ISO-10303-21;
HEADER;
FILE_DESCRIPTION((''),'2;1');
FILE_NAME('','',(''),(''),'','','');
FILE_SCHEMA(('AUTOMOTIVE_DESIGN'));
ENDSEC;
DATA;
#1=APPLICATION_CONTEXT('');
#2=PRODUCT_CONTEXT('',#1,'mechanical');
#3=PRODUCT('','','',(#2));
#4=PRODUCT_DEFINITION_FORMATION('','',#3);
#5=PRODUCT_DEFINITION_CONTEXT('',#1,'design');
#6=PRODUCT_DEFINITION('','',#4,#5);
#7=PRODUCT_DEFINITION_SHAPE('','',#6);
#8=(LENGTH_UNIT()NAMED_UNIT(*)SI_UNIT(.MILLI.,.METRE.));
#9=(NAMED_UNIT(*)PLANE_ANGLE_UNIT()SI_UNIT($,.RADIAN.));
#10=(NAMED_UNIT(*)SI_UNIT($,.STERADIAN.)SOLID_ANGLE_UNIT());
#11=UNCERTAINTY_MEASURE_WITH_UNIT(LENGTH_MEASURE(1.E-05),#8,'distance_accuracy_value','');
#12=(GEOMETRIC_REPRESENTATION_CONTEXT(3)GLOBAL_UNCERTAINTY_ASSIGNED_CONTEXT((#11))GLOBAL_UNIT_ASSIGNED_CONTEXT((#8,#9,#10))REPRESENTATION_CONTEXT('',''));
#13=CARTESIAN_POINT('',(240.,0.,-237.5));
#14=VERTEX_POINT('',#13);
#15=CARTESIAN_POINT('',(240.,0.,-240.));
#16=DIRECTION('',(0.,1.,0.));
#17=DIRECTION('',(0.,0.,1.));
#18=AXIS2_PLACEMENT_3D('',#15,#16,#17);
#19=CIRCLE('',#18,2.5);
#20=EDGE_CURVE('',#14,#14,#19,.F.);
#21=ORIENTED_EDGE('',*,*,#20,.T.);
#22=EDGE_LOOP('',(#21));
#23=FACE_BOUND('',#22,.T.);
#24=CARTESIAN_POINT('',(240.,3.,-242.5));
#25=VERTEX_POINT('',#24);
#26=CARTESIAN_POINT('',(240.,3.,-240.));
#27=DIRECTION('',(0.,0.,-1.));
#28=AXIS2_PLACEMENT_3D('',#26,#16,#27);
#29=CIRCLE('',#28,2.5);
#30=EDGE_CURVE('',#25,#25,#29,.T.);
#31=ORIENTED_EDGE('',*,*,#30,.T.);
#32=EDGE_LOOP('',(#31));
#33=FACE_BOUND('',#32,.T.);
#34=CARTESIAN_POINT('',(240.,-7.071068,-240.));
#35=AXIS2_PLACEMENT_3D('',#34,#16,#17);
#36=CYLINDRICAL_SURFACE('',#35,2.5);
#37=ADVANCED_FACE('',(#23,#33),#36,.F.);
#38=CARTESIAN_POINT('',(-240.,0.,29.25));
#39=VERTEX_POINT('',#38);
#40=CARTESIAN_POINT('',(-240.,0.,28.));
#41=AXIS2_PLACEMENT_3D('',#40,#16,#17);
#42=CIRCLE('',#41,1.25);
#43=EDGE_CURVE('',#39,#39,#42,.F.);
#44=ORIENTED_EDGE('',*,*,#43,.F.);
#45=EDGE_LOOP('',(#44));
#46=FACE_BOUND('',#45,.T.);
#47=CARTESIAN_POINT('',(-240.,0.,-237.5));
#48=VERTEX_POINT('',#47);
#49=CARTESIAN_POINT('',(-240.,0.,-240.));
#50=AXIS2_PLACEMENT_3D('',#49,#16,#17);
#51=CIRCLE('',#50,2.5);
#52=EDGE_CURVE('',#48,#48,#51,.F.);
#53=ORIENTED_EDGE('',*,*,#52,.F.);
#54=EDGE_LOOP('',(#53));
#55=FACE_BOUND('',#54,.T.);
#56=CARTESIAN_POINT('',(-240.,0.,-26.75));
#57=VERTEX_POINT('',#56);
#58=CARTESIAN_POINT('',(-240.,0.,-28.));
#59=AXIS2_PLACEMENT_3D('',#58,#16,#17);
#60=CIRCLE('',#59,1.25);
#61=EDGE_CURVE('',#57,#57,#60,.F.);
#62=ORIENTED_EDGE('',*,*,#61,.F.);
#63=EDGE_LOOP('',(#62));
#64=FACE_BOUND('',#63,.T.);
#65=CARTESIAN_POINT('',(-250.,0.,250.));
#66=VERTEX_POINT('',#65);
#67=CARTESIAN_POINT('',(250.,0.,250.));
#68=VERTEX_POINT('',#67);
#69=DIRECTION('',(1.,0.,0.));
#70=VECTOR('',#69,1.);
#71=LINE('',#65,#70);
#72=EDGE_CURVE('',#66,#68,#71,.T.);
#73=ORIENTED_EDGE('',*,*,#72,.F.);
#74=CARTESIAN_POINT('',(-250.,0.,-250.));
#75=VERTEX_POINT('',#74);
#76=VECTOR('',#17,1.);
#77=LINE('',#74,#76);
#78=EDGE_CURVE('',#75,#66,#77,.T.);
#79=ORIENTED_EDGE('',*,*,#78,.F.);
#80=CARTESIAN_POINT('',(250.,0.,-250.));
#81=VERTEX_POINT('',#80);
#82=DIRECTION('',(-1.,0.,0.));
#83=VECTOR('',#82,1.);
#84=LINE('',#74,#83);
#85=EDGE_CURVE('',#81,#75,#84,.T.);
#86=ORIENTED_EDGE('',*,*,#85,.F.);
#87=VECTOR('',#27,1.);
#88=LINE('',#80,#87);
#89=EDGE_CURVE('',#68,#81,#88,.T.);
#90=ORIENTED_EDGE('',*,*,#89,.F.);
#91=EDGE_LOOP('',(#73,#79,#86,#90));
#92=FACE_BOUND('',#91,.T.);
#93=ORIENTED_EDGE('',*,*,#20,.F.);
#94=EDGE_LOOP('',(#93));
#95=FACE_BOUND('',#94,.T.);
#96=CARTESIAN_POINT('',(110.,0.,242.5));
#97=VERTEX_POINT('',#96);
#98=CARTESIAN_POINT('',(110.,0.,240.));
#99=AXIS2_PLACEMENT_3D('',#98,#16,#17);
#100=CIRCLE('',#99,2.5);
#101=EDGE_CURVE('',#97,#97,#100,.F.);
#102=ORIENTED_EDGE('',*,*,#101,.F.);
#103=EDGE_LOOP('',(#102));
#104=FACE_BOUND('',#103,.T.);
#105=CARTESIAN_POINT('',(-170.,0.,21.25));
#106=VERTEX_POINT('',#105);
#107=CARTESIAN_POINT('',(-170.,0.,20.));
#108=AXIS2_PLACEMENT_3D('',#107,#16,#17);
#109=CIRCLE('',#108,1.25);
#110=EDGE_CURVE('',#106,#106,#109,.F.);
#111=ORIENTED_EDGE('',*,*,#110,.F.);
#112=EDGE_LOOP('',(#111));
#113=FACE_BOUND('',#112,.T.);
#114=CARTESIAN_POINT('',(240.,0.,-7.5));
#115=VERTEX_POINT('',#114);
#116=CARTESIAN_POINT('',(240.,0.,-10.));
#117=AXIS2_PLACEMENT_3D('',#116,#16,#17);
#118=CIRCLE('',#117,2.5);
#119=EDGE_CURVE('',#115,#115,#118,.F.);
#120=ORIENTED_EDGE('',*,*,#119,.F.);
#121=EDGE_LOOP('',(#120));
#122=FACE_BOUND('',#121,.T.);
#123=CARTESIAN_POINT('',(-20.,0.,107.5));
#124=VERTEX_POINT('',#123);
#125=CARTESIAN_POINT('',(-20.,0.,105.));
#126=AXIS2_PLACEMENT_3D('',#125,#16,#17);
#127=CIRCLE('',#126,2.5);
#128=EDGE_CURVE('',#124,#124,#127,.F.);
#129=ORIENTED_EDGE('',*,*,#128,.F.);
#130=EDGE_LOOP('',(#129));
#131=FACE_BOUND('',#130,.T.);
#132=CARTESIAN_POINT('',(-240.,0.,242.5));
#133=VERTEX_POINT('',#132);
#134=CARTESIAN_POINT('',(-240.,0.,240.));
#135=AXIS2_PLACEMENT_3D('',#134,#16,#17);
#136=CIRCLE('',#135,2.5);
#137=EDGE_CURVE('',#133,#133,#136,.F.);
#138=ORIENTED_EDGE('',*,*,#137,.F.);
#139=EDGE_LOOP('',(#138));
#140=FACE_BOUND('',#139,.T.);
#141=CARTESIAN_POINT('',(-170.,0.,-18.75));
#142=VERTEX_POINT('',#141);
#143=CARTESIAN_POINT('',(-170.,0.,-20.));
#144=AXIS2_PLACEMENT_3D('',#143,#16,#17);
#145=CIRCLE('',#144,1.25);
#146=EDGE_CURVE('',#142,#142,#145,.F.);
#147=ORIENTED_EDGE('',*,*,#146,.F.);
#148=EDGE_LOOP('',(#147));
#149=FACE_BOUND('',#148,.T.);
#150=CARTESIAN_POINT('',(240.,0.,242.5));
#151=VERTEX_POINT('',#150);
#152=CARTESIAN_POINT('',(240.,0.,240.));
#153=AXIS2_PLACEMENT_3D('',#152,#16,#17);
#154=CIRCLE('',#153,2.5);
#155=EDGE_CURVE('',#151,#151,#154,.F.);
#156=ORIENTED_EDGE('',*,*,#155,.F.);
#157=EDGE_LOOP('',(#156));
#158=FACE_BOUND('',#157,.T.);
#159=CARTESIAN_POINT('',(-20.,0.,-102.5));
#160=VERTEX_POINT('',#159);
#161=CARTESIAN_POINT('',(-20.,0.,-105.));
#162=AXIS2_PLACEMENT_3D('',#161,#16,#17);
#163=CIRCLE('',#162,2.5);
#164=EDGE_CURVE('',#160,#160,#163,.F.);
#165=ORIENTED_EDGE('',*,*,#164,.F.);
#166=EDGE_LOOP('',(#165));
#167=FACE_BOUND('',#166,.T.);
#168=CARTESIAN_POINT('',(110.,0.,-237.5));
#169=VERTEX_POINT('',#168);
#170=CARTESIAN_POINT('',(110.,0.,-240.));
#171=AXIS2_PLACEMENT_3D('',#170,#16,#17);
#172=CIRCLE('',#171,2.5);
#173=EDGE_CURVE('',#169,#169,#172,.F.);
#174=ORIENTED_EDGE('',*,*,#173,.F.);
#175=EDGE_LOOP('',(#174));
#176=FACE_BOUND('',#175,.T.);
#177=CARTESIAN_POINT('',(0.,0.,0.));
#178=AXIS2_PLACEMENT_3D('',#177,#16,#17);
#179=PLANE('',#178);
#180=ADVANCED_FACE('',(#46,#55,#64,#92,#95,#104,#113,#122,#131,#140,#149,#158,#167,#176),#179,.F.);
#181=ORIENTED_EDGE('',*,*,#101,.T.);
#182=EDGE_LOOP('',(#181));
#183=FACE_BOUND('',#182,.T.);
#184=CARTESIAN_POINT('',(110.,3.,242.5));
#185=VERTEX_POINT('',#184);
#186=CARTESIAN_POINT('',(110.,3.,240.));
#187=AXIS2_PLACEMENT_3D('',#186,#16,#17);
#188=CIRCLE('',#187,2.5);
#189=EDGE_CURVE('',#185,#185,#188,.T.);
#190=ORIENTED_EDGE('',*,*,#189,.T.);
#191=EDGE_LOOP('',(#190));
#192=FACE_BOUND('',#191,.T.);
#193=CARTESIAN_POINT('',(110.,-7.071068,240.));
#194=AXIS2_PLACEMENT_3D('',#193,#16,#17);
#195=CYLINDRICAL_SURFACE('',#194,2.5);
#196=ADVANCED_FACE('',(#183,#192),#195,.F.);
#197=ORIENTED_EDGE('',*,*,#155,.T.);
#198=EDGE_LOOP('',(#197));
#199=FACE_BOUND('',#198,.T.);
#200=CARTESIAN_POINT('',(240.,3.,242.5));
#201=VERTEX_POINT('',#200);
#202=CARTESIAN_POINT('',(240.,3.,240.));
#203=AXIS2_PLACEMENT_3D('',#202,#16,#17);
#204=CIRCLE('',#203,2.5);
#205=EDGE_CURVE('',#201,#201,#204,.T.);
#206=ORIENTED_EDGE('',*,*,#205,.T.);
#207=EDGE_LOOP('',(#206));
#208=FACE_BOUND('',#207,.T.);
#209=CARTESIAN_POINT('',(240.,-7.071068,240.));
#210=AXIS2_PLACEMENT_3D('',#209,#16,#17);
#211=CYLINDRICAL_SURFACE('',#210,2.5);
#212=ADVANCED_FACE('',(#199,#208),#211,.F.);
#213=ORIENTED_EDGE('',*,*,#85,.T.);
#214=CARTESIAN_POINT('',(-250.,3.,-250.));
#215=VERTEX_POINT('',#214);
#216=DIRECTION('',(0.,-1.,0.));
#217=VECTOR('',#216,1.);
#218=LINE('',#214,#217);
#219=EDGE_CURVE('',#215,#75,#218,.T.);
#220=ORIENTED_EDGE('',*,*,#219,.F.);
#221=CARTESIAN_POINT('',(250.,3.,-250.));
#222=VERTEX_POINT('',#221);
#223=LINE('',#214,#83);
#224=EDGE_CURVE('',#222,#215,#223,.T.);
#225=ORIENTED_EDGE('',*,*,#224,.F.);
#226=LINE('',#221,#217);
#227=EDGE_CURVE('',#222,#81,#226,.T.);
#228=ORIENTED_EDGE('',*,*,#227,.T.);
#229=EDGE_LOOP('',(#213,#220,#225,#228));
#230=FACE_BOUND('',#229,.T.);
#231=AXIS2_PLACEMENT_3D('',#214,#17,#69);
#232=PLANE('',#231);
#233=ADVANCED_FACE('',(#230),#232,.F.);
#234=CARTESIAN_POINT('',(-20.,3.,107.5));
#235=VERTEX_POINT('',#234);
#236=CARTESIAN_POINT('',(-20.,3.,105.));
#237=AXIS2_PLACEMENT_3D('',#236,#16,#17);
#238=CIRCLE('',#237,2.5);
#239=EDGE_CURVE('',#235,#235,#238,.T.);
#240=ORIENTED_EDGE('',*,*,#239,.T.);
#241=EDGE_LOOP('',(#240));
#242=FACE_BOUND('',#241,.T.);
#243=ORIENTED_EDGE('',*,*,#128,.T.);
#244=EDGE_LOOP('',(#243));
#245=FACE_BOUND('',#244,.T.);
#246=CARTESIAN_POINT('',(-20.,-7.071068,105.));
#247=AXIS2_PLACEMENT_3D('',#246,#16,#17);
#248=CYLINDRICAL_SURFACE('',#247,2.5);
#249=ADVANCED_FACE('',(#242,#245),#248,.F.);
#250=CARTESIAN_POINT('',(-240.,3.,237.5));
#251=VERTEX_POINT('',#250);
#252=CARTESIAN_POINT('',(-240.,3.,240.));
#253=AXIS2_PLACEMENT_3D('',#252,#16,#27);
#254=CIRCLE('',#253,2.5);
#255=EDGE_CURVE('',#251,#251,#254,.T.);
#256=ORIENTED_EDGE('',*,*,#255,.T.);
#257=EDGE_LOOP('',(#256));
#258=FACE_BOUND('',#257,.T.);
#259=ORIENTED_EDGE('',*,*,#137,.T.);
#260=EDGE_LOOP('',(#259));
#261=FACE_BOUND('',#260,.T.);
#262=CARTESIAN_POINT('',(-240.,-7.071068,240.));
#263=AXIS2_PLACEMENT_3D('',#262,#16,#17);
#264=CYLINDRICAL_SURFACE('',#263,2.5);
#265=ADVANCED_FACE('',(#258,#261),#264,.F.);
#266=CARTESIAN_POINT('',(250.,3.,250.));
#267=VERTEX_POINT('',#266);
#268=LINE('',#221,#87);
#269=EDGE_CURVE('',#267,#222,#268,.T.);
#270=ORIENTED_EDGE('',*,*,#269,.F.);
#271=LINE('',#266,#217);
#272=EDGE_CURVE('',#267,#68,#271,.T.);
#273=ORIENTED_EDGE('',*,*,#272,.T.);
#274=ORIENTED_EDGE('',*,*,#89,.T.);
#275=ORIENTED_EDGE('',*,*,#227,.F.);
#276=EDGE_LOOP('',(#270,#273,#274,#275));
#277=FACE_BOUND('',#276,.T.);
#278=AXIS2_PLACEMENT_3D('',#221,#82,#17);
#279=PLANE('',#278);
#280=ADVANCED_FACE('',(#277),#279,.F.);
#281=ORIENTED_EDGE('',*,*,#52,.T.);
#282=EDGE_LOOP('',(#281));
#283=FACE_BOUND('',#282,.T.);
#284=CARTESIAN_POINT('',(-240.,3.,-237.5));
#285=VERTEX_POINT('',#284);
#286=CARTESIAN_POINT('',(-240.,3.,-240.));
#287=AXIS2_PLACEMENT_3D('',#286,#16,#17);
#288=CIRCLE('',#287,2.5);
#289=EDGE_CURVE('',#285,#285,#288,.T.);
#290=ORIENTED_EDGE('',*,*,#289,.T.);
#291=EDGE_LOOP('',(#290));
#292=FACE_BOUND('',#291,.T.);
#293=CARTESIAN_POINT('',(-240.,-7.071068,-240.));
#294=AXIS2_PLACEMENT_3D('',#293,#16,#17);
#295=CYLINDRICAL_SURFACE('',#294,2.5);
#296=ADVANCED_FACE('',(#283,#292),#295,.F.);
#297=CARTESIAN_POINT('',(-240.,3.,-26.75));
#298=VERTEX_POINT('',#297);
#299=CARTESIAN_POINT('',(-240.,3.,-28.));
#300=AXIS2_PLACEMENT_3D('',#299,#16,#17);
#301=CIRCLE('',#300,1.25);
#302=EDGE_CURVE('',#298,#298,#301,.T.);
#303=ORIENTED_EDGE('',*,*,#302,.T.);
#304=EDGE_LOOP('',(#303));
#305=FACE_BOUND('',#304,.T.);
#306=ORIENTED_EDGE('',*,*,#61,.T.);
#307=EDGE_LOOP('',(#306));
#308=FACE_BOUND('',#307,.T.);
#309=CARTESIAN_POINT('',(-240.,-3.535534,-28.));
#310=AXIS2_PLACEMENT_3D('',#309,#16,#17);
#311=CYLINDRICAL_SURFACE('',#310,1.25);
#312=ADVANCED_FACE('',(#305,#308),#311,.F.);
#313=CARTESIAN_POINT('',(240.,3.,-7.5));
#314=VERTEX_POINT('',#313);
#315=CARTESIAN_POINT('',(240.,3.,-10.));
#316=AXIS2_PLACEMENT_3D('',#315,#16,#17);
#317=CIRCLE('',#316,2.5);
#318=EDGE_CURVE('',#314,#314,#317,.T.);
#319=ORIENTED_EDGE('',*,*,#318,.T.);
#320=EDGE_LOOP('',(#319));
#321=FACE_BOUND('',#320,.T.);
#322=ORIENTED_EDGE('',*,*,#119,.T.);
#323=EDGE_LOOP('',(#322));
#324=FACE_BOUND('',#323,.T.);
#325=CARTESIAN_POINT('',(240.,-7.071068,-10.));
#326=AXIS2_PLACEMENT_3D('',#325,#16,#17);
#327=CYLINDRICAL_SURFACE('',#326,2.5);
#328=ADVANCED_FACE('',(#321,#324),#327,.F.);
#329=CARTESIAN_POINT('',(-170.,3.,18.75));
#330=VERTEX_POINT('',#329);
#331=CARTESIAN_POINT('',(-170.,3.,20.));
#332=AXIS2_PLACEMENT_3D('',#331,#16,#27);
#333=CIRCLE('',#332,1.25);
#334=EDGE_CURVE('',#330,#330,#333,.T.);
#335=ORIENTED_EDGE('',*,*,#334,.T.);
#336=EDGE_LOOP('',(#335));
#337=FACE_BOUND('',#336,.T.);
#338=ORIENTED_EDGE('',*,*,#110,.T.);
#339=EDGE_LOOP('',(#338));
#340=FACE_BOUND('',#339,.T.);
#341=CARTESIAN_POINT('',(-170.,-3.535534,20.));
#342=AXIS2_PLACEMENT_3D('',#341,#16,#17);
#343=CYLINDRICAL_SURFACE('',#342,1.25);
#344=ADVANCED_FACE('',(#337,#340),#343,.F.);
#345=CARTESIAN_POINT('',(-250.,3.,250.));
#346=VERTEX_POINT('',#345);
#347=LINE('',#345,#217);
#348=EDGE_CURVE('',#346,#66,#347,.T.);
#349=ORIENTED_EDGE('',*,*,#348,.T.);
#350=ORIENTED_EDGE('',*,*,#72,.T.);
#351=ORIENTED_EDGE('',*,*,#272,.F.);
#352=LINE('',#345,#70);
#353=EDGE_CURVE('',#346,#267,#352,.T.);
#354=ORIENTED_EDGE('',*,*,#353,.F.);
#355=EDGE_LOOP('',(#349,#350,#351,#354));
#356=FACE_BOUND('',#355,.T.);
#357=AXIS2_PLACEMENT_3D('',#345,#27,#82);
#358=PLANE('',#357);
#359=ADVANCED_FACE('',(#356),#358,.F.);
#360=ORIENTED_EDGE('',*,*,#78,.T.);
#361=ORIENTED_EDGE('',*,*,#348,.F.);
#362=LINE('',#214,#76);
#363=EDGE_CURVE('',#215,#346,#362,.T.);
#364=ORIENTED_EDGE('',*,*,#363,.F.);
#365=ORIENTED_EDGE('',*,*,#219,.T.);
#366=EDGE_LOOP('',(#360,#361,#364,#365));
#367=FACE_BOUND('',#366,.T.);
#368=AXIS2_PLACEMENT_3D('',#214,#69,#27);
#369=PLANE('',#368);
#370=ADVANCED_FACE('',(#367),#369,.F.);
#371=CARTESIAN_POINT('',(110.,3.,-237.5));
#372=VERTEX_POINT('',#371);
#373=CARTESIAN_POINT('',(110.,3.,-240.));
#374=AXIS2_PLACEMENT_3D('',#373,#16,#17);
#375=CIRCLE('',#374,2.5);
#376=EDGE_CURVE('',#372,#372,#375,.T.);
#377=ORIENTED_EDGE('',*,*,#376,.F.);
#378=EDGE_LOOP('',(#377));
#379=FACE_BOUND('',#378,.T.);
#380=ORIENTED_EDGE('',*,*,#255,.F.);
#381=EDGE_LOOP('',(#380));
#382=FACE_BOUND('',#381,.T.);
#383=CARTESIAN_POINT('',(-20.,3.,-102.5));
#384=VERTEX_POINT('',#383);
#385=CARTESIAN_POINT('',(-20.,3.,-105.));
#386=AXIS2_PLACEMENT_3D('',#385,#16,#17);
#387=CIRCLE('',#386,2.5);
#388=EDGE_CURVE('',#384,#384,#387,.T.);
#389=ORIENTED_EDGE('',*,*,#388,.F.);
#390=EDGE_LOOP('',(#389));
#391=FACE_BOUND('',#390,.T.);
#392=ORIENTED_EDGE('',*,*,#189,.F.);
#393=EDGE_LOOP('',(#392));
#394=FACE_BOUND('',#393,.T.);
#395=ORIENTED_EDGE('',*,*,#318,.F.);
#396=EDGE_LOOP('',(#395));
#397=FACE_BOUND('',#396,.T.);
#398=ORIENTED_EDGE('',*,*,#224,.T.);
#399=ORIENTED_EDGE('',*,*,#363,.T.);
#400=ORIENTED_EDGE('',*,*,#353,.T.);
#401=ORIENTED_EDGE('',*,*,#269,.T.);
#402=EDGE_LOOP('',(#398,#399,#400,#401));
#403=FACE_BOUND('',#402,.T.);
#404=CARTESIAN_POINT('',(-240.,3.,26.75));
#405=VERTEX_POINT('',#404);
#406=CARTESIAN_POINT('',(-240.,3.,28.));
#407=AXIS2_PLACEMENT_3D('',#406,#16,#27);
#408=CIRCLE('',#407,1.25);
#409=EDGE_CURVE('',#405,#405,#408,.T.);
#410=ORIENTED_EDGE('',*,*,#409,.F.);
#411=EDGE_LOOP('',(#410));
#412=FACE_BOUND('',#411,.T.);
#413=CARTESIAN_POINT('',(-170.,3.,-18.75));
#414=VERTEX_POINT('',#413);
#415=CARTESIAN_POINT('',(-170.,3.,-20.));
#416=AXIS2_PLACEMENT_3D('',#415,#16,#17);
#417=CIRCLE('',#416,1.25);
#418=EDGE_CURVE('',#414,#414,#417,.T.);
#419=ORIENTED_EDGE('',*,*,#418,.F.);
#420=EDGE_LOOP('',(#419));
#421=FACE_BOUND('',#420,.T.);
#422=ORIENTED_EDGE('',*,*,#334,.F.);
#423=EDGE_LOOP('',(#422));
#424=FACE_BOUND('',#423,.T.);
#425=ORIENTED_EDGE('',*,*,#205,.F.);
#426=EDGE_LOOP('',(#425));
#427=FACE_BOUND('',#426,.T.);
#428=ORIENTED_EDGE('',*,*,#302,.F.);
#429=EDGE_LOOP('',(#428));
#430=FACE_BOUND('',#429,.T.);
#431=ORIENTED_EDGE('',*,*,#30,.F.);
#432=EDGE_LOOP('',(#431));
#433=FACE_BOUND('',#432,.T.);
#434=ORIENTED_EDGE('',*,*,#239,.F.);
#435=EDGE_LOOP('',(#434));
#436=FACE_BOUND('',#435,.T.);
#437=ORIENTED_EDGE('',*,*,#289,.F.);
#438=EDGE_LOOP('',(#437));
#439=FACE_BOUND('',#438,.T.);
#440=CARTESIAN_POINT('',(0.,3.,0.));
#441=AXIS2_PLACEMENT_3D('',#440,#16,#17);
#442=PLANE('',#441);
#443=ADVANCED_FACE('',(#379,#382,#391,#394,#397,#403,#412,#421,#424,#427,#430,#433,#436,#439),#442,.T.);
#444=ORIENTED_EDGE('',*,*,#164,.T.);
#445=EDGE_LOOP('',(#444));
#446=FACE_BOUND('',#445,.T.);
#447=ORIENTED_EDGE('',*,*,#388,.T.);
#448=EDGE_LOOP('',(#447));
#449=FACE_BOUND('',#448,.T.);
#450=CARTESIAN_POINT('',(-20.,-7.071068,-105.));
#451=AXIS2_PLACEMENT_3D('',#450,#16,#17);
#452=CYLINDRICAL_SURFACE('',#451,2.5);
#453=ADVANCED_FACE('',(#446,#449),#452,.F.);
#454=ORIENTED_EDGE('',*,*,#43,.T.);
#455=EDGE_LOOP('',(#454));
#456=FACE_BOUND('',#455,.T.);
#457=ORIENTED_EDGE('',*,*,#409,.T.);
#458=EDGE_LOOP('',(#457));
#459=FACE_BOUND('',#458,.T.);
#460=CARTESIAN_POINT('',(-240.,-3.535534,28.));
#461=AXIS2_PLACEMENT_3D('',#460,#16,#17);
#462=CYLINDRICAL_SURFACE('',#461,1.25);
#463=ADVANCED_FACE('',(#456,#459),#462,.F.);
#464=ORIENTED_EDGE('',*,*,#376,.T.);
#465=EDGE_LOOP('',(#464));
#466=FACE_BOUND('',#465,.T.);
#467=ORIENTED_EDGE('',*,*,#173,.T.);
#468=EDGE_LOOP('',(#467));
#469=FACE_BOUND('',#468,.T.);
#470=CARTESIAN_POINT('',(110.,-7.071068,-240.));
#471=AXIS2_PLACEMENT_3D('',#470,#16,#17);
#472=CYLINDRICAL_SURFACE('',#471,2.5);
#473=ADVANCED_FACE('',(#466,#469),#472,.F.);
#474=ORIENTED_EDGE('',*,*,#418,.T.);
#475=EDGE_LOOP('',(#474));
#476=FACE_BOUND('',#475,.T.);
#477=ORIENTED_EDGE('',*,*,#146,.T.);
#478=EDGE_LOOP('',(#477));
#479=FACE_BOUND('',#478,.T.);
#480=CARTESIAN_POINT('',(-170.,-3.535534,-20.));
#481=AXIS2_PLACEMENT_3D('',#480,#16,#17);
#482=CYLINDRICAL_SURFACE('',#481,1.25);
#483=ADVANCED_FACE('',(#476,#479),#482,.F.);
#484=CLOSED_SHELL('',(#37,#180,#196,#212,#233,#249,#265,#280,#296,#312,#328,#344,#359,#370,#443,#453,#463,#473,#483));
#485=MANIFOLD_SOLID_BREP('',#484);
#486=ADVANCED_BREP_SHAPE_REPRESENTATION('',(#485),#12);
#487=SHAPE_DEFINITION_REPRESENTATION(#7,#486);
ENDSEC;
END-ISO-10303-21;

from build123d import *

# Parameters (mm, degrees)
SKETCH1_W           = 500
SKETCH1_H           = 500
BOSS_EXTRUDE1_DEPTH = 3
SKETCH2_R           = 2.5
CUT_EXTRUDE1_DEPTH  = 3
SKETCH3_R           = 1.25
CUT_EXTRUDE2_DEPTH  = 3
SKETCH4_R           = 2.5
CUT_EXTRUDE3_DEPTH  = 3
SKETCH5_R           = 2.5
CUT_EXTRUDE4_DEPTH  = 3


with BuildPart() as part:
    # Sketch1 → Boss-Extrude1 (new body)
    with BuildSketch(Plane(origin=(0, 0, 0), x_dir=(1, 0, 0), z_dir=(0, 1, 0))):
        Rectangle(SKETCH1_W, SKETCH1_H)
    extrude(amount=BOSS_EXTRUDE1_DEPTH)

    # Sketch2 → Cut-Extrude1 (cut)
    with BuildSketch(Plane(origin=(0, 3, 0), x_dir=(1, 0, 0), z_dir=(0, 1, 0))):
        with Locations(Location((-240, 240, 0), (0, 0, 270))):
            Circle(SKETCH2_R)
        with Locations(Location((240, 240, 0), (0, 0, 270))):
            Circle(SKETCH2_R)
        with Locations(Location((240, -240, 0), (0, 0, 270))):
            Circle(SKETCH2_R)
        with Locations(Location((-240, -240, 0), (0, 0, 270))):
            Circle(SKETCH2_R)
    extrude(amount=-CUT_EXTRUDE1_DEPTH, mode=Mode.SUBTRACT)

    # Sketch3 → Cut-Extrude2 (cut)
    with BuildSketch(Plane(origin=(0, 3, 0), x_dir=(1, 0, 0), z_dir=(0, 1, 0))):
        with Locations(Location((-240, 28, 0), (0, 0, 270))):
            Circle(SKETCH3_R)
        with Locations(Location((-170, 20, 0), (0, 0, 270))):
            Circle(SKETCH3_R)
        with Locations(Location((-170, -20, 0), (0, 0, 270))):
            Circle(SKETCH3_R)
        with Locations(Location((-240, -28, 0), (0, 0, 270))):
            Circle(SKETCH3_R)
    extrude(amount=-CUT_EXTRUDE2_DEPTH, mode=Mode.SUBTRACT)

    # Sketch4 → Cut-Extrude3 (cut)
    with BuildSketch(Plane(origin=(0, 3, 0), x_dir=(1, 0, 0), z_dir=(0, 1, 0))):
        with Locations(Location((240, 10, 0), (0, 0, 270))):
            Circle(SKETCH4_R)
        with Locations(Location((110, 240, 0), (0, 0, 270))):
            Circle(SKETCH4_R)
        with Locations(Location((110, -240, 0), (0, 0, 270))):
            Circle(SKETCH4_R)
    extrude(amount=-CUT_EXTRUDE3_DEPTH, mode=Mode.SUBTRACT)

    # Sketch5 → Cut-Extrude4 (cut)
    with BuildSketch(Plane(origin=(0, 3, 0), x_dir=(1, 0, 0), z_dir=(0, 1, 0))):
        with Locations(Location((-20, 105, 0), (0, 0, 270))):
            Circle(SKETCH5_R)
        with Locations(Location((-20, -105, 0), (0, 0, 270))):
            Circle(SKETCH5_R)
    extrude(amount=-CUT_EXTRUDE4_DEPTH, mode=Mode.SUBTRACT)


solid = part.part
